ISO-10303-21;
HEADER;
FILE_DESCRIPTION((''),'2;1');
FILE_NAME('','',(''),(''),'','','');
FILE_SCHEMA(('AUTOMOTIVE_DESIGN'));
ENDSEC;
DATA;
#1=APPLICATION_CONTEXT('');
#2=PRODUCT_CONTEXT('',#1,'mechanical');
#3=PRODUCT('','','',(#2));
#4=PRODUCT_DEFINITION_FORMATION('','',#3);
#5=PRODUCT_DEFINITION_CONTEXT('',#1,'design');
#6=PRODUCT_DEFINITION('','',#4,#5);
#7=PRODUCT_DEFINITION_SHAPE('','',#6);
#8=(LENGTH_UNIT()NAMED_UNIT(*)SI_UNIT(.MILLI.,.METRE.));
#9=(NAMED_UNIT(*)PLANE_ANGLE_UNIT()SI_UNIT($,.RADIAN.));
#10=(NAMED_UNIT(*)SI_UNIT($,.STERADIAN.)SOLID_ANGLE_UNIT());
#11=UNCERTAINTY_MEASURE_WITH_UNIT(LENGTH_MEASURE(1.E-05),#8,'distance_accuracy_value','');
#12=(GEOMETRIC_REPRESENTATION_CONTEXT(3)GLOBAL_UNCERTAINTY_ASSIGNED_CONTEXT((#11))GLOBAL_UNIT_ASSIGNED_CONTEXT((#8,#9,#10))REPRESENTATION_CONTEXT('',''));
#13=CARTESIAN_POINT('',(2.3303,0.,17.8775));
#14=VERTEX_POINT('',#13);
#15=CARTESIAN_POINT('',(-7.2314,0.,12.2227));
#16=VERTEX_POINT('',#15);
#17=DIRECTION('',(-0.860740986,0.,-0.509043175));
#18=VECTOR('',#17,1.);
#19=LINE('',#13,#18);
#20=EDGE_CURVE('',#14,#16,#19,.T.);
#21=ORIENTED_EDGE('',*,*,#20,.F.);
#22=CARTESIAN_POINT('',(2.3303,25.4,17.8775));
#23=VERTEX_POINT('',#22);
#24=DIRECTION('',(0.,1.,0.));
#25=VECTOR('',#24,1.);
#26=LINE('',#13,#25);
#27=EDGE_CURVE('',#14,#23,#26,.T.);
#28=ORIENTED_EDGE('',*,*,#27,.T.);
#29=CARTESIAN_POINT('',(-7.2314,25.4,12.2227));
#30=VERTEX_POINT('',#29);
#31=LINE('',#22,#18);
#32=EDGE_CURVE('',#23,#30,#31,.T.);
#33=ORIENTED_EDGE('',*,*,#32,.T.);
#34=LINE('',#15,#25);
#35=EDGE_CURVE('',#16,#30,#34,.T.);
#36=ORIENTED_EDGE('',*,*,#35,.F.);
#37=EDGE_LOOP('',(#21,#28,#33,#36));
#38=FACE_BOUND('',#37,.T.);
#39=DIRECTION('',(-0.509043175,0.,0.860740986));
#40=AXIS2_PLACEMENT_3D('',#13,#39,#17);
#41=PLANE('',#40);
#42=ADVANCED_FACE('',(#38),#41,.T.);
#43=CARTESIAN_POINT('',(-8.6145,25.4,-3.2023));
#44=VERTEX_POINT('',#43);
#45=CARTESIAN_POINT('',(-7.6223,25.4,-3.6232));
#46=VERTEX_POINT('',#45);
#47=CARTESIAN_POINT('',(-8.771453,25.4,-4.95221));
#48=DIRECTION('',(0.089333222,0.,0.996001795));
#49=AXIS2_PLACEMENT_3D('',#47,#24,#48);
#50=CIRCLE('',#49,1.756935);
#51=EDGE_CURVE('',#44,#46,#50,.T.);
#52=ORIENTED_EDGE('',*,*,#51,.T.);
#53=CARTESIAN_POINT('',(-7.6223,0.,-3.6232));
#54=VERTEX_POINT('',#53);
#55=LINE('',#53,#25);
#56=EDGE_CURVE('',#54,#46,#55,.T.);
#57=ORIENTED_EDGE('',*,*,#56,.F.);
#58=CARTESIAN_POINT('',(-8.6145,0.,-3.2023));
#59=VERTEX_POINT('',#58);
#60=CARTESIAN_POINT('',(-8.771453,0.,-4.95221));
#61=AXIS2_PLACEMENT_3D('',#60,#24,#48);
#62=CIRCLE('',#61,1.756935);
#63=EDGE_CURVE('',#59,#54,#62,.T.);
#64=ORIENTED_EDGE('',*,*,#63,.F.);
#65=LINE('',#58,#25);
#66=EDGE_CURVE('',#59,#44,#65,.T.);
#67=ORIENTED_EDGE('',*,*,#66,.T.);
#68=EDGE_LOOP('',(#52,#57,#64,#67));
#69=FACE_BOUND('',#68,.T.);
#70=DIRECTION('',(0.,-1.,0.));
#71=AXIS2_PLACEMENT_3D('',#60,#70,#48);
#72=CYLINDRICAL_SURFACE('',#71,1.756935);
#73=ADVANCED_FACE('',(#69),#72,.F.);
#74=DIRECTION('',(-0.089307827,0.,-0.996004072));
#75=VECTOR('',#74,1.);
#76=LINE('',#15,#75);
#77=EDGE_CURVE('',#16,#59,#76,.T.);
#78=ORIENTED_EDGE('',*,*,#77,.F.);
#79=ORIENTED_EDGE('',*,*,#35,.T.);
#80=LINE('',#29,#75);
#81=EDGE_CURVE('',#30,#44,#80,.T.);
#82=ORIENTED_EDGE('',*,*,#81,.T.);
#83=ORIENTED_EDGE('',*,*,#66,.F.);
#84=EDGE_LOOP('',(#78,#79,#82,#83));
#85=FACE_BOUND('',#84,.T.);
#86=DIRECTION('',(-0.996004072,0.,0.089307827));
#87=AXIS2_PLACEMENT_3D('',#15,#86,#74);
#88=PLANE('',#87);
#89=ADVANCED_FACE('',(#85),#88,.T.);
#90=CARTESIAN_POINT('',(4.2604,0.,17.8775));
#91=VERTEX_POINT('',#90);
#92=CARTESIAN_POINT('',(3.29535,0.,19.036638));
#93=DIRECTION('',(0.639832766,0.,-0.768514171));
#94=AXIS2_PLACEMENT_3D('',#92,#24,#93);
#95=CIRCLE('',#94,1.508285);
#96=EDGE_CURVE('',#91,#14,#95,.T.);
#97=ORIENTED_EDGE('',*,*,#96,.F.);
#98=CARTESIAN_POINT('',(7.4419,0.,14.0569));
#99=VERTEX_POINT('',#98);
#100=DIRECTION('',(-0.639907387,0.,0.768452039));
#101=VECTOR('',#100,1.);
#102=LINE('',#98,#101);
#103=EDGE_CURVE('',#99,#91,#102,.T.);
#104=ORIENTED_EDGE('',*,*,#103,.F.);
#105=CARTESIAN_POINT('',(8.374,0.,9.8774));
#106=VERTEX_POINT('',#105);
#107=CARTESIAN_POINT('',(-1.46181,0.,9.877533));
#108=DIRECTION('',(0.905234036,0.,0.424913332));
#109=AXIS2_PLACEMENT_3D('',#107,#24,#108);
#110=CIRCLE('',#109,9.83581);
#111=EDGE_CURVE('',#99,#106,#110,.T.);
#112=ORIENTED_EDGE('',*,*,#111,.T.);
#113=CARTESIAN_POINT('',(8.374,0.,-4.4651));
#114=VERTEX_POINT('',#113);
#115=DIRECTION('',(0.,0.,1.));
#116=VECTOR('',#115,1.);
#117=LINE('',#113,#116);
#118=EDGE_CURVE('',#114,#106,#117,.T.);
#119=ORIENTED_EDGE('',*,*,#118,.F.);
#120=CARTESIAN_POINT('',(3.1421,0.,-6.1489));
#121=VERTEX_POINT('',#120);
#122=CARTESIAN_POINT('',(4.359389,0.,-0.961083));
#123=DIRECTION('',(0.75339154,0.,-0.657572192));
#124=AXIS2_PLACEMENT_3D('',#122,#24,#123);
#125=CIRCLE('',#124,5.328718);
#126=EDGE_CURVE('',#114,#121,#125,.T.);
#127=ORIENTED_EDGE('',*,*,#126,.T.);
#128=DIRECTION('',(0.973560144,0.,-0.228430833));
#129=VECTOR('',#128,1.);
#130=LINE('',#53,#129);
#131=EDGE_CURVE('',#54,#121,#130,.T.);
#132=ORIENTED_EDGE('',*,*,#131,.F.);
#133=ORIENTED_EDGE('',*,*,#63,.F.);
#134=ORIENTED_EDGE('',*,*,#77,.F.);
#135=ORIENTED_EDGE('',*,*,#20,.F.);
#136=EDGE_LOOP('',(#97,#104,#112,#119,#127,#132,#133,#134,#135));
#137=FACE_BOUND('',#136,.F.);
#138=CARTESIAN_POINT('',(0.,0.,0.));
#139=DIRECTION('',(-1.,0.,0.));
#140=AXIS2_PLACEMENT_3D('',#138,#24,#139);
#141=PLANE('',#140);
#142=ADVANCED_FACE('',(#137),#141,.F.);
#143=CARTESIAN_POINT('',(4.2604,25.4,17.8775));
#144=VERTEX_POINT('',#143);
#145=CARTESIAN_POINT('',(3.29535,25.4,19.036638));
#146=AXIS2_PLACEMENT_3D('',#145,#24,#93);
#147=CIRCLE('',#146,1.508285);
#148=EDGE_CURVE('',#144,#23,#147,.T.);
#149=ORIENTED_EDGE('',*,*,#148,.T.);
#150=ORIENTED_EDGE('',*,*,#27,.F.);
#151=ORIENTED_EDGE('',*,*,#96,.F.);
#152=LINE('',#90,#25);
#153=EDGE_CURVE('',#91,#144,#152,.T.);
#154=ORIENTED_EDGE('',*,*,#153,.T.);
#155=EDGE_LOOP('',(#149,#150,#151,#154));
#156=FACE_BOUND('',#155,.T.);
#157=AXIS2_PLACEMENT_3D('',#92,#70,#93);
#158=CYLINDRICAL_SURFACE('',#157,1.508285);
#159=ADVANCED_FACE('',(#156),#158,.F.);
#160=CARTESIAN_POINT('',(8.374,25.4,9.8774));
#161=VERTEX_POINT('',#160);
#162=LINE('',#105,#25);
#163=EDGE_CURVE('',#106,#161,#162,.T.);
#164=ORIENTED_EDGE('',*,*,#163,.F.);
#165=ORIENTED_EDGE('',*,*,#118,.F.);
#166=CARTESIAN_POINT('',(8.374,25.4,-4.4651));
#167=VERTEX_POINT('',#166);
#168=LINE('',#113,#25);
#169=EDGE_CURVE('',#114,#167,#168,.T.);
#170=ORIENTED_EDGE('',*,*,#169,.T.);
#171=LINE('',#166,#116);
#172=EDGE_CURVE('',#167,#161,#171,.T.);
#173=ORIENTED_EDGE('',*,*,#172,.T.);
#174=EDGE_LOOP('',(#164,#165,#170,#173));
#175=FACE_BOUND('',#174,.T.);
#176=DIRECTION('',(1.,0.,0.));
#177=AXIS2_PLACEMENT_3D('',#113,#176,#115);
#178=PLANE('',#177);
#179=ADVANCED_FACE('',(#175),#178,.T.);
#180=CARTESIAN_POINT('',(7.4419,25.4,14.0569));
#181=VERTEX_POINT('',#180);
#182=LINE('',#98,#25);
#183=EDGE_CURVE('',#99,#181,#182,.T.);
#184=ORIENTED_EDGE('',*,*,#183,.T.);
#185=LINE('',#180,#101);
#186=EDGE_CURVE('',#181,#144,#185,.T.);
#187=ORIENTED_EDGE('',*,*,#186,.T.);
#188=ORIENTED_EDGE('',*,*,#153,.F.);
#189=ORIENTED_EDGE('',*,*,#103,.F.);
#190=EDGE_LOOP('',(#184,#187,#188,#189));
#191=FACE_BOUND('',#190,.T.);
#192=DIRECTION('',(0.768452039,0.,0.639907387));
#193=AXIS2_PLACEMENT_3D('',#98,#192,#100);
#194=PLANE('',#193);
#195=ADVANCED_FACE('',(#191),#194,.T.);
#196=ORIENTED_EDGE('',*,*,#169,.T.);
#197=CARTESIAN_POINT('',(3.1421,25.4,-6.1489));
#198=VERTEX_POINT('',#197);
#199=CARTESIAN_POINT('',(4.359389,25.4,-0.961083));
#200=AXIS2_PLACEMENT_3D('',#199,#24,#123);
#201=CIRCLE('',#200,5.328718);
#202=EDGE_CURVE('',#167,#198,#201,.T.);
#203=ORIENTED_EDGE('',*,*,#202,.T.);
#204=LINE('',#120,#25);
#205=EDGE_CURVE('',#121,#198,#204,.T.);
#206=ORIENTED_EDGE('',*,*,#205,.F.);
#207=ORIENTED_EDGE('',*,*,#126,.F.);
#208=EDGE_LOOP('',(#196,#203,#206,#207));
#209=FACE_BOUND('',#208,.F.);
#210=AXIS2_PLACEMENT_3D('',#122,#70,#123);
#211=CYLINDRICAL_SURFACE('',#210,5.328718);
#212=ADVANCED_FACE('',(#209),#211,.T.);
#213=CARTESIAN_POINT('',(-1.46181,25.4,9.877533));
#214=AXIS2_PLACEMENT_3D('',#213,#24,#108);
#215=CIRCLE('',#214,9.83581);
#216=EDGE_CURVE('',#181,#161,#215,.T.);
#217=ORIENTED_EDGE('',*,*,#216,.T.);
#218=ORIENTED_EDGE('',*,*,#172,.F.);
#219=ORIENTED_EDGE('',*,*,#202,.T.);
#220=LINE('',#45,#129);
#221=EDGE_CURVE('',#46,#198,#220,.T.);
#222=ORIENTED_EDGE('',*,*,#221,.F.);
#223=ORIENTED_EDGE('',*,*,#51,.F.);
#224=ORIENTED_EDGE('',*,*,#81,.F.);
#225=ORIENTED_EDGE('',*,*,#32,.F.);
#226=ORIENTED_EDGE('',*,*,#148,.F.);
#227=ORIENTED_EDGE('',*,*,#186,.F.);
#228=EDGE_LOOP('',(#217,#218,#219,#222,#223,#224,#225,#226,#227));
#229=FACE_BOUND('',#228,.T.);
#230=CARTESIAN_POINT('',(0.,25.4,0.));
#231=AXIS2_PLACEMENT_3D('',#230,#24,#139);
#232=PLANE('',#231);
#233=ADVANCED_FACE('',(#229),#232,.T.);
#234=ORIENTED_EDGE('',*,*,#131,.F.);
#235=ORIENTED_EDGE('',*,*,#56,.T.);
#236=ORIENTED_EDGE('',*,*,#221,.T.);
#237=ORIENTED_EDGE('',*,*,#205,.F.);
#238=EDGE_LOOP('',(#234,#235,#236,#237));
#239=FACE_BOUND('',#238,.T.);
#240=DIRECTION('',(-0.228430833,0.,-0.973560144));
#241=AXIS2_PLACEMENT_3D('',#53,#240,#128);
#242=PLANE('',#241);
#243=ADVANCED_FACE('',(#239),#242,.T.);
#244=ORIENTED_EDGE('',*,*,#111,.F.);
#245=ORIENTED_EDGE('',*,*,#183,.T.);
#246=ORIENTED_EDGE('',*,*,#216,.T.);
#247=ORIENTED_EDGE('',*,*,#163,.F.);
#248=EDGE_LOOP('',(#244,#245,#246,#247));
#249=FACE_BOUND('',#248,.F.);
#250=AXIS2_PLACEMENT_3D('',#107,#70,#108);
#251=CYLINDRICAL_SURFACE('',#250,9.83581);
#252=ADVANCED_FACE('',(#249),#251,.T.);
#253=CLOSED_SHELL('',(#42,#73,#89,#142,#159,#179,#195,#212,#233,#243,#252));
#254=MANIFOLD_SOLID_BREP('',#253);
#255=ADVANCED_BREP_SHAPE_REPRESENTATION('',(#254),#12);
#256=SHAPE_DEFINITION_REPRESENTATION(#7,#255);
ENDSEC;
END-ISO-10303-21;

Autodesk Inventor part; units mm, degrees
ref_plane "YZ Plane" through (0, 0, 0) normal (1, 0, 0) x (0, 1, 0)
ref_plane "XZ Plane" through (0, 0, 0) normal (0, 1, 0) x (-1, 0, 0)
ref_plane "XY Plane" through (0, 0, 0) normal (0, 0, 1) x (1, 0, 0)
sketch "Sketch1" plane through (0, 0, 0) normal (0, 1, 0) x (-1, 0, 0)
  line L0 (7.2314, 12.2227) -> (8.6145, -3.2023)
  arc A0 (8.6145, -3.2023) -> (7.6223, -3.6232) centre (8.7714, -4.952) ccw
  line L1 (7.6223, -3.6232) -> (-3.1421, -6.1489)
  arc A1 (-8.374, -4.4651) -> (-3.1421, -6.1489) centre (-4.3594, -0.9611) ccw
  line L2 (-8.374, -4.4651) -> (-8.374, 9.8774)
  arc A2 (-7.4419, 14.0569) -> (-8.374, 9.8774) centre (1.4622, 9.8774) ccw
  line L3 (-7.4419, 14.0569) -> (-4.2604, 17.8775)
  arc A3 (-4.2604, 17.8775) -> (-2.3303, 17.8775) centre (-3.2954, 19.0365) ccw
  line L4 (-2.3303, 17.8775) -> (7.2314, 12.2227)
  point P0 (0, 0)
extrude "Extrusion1" add sketch "Sketch1" along normal blind 25.4
